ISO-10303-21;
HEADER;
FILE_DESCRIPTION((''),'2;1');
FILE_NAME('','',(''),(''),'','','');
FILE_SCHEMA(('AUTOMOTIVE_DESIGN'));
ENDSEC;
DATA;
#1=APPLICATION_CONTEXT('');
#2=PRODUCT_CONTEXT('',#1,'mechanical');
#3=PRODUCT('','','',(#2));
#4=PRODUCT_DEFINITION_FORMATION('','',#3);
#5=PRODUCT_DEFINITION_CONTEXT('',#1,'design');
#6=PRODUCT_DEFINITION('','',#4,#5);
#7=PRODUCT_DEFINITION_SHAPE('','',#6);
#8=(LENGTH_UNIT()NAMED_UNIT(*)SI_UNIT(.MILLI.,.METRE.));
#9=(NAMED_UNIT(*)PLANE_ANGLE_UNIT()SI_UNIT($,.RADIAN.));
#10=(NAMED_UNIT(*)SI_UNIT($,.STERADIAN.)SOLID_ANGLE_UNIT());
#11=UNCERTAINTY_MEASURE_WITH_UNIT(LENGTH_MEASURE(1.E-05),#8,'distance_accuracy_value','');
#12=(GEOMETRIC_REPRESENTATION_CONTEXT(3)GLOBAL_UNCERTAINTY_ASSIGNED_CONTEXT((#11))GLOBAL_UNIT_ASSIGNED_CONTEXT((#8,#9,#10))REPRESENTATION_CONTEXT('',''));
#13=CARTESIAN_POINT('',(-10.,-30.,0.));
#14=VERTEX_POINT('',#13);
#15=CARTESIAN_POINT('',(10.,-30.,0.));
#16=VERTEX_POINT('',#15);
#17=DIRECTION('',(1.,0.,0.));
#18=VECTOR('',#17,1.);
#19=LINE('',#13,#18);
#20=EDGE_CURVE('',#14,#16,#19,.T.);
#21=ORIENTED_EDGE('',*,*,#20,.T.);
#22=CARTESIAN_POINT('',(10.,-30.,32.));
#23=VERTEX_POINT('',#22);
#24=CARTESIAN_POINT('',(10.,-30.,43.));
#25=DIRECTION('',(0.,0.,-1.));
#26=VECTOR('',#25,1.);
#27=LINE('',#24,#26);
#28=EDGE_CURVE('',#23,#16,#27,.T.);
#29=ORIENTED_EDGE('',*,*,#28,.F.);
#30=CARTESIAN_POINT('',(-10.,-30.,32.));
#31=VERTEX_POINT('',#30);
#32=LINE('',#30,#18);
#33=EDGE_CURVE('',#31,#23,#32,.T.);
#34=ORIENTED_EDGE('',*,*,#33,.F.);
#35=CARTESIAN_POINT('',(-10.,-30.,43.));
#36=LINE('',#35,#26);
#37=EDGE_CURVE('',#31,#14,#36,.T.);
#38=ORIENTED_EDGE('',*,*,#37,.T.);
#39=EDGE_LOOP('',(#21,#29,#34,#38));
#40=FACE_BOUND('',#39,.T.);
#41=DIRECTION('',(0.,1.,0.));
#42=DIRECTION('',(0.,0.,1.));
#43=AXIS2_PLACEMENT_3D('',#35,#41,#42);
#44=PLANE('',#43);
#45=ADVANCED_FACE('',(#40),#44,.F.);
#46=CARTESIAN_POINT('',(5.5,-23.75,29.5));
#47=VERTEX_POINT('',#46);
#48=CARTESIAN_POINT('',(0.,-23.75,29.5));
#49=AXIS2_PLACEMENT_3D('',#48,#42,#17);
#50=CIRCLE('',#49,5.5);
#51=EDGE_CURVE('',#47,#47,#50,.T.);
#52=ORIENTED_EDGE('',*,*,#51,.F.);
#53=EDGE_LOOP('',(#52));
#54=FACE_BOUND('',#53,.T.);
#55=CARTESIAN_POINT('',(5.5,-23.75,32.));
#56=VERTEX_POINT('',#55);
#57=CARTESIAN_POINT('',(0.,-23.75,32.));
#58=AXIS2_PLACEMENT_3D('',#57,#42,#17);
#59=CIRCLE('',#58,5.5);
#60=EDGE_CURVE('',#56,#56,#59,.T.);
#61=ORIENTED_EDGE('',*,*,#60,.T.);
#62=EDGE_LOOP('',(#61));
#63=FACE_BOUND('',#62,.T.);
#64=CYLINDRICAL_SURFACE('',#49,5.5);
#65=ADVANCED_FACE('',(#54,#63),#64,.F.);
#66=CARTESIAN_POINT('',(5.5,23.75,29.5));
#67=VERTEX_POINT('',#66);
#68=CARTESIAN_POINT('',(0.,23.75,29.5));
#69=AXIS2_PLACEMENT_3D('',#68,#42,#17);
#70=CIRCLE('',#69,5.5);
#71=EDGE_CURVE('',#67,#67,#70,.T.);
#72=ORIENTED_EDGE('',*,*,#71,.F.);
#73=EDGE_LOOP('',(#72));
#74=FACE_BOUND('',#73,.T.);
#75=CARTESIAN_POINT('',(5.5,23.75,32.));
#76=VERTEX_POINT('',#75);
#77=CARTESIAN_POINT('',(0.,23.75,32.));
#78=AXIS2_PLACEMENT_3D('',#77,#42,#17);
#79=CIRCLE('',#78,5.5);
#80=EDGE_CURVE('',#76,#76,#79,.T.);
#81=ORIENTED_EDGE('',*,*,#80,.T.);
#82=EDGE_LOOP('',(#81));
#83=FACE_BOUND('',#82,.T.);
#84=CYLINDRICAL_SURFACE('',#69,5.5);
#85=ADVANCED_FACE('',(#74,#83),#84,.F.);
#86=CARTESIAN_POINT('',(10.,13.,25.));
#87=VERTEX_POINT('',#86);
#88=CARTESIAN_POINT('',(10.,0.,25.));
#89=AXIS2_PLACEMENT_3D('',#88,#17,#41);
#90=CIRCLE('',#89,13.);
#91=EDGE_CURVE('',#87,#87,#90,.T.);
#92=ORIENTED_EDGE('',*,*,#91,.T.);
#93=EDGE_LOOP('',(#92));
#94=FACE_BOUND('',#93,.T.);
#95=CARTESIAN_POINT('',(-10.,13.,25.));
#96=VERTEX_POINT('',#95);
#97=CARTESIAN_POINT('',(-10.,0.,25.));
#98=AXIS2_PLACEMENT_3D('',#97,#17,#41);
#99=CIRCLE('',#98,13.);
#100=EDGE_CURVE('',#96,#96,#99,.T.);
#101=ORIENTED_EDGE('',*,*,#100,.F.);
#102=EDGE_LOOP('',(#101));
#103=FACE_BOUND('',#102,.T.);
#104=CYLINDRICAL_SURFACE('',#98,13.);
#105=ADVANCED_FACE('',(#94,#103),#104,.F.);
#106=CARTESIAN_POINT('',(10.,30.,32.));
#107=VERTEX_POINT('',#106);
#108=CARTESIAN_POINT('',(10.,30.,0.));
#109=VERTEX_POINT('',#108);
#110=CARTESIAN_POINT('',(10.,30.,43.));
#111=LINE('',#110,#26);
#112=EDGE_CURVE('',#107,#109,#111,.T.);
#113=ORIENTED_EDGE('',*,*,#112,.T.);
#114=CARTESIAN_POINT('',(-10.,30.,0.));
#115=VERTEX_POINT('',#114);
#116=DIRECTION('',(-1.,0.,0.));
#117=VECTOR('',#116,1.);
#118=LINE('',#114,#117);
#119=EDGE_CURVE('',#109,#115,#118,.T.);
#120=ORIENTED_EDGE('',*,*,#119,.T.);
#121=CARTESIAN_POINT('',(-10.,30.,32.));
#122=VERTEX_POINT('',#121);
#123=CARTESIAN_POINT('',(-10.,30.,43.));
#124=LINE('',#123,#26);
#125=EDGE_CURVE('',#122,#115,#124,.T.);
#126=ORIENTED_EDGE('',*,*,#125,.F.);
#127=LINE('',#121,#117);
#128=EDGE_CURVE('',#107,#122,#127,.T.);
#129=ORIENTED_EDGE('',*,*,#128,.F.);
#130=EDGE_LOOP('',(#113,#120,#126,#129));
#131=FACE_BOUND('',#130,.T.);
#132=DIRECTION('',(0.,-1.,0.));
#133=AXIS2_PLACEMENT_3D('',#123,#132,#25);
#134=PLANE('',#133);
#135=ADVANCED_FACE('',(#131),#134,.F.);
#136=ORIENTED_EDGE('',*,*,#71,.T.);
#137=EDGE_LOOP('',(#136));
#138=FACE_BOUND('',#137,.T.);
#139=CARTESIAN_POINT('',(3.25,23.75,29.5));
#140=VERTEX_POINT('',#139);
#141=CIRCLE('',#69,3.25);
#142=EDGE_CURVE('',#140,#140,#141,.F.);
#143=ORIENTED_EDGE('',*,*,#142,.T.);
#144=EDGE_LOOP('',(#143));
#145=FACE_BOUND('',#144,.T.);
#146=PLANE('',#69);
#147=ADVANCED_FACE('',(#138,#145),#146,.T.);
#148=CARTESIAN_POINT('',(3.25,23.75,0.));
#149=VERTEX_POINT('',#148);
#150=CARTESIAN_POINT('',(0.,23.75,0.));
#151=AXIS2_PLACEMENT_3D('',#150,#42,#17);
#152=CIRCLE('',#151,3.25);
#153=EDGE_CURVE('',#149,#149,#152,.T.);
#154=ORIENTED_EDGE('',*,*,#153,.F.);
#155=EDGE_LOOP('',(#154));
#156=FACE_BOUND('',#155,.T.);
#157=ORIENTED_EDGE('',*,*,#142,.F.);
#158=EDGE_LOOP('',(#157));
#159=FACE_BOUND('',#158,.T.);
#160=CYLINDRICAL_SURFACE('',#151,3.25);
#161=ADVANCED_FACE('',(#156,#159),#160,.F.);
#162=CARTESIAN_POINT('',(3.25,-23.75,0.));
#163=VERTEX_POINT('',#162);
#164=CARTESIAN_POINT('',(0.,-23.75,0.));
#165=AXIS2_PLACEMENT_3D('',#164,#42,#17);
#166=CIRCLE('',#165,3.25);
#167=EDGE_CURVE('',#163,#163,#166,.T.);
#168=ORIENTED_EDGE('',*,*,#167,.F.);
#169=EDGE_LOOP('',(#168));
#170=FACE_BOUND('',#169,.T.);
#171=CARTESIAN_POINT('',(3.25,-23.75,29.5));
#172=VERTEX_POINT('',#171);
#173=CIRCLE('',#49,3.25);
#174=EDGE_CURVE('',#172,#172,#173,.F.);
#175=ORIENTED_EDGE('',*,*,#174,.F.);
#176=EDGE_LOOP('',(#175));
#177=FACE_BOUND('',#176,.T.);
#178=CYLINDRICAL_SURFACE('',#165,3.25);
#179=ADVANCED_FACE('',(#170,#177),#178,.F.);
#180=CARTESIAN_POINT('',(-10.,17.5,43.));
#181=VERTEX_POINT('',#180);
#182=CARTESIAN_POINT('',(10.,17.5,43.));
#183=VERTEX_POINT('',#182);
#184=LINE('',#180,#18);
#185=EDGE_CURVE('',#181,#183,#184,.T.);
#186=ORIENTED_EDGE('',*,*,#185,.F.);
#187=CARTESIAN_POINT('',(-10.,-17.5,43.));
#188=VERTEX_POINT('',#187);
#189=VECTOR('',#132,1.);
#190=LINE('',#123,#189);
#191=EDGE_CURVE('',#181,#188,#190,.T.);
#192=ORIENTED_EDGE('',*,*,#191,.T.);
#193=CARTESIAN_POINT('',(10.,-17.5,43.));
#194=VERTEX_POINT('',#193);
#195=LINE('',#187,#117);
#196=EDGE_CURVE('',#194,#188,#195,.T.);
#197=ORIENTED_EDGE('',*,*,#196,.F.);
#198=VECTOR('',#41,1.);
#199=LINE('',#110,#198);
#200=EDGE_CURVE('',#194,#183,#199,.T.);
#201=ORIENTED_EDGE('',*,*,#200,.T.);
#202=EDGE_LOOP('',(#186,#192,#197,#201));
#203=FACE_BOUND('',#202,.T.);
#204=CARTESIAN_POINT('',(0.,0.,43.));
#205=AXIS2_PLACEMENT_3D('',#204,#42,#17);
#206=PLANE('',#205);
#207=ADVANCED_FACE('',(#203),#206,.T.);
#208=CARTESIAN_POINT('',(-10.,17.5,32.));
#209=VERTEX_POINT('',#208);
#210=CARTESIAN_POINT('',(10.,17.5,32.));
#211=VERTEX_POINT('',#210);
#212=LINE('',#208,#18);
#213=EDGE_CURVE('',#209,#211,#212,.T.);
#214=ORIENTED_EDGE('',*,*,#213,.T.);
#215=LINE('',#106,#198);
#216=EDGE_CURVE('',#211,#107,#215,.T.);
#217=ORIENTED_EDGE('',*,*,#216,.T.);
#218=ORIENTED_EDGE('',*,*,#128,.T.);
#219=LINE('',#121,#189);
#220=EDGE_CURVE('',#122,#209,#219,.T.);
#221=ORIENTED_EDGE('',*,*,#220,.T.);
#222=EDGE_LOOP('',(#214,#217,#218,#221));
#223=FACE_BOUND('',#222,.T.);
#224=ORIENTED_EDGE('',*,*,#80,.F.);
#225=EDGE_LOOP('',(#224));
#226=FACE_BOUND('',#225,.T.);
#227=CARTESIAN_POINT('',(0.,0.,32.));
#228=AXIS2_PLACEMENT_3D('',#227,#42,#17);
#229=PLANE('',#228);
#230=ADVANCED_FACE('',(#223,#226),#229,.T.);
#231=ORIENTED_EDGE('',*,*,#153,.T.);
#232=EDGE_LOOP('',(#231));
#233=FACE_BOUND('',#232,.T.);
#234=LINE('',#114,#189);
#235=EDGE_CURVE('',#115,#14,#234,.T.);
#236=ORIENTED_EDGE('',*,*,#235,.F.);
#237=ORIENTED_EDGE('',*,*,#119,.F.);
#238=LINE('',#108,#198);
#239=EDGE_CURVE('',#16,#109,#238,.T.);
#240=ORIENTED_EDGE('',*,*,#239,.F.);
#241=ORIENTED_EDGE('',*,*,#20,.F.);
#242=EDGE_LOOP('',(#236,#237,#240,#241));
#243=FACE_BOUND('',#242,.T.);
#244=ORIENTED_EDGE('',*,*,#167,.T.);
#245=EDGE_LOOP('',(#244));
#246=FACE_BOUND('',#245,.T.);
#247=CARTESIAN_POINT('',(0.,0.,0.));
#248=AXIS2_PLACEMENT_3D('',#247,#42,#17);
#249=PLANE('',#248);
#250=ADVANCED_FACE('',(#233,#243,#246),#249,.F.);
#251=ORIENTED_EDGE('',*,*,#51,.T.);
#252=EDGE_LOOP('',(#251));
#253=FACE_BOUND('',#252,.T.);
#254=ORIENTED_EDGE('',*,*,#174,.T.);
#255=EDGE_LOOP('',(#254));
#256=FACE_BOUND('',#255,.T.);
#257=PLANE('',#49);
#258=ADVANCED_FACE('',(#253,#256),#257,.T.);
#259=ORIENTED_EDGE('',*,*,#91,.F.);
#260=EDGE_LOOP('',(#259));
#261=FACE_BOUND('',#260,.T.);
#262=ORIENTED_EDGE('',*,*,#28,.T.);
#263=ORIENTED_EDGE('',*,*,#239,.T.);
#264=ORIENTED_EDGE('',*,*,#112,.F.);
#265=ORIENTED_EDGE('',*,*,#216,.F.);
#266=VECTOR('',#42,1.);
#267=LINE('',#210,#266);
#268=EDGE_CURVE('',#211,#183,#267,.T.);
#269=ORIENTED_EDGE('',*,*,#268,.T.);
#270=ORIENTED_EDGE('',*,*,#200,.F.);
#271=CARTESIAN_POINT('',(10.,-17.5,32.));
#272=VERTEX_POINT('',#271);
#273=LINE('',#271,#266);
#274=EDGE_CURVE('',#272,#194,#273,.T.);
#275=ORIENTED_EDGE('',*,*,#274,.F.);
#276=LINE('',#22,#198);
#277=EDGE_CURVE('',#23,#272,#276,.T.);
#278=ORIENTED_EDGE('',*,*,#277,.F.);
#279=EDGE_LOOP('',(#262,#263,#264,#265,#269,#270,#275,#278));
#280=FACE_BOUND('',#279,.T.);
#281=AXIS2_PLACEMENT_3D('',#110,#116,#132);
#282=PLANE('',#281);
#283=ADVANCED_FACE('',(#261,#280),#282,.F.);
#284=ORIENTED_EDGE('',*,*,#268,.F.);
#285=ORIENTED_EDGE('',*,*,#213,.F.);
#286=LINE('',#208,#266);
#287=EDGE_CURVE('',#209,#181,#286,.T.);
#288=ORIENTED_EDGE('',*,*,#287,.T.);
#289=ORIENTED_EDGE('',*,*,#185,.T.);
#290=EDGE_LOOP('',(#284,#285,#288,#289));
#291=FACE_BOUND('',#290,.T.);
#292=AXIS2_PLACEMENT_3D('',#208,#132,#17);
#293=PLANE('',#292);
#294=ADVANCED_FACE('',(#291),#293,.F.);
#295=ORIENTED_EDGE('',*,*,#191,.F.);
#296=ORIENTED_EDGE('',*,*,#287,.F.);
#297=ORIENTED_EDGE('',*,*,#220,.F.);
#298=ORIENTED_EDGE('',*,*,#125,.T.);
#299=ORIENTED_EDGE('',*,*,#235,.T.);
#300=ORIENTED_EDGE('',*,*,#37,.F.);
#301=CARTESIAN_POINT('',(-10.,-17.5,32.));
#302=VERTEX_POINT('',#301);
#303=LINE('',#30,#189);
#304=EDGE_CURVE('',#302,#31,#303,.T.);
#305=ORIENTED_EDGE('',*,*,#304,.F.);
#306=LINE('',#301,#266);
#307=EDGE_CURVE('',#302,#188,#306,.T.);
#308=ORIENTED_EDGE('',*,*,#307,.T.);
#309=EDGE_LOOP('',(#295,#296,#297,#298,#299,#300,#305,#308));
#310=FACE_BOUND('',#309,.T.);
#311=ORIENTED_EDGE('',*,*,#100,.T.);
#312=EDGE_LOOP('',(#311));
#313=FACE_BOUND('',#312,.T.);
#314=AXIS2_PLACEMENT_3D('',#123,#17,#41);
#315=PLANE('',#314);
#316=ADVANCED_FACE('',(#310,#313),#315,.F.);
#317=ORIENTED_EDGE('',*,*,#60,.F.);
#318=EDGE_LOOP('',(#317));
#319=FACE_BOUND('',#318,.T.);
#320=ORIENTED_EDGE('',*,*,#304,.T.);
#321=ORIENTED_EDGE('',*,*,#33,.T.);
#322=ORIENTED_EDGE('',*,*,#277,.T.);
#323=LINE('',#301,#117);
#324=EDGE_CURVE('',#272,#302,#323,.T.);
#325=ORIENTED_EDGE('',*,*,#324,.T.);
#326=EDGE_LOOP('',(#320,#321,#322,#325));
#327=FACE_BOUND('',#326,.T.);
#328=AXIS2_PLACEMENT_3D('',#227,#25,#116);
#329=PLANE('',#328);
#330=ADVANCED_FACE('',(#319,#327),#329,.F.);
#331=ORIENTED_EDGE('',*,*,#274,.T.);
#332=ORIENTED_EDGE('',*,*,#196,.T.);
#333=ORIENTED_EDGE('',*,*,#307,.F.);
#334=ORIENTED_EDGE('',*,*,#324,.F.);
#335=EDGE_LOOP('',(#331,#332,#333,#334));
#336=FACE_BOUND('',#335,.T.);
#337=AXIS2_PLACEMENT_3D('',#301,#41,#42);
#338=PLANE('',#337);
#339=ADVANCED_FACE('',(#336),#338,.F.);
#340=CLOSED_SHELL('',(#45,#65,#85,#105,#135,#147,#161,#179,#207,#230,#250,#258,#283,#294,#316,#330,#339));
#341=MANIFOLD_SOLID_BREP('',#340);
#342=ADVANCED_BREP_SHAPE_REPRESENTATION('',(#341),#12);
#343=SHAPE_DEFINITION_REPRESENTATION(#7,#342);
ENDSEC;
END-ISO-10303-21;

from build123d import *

# Parameters (mm, degrees)
SKETCH1_W           = 20
SKETCH1_H           = 60
BOSS_EXTRUDE1_DEPTH = 43
SKETCH2_W           = 20
SKETCH2_H           = 12.5
CUT_EXTRUDE1_DEPTH  = 11
SKETCH3_R           = 3.25
CUT_EXTRUDE2_DEPTH  = 33
SKETCH4_R           = 5.5
CUT_EXTRUDE3_DEPTH  = 2.5
SKETCH5_R           = 13
CUT_EXTRUDE4_DEPTH  = 21


with BuildPart() as part:
    # Sketch1 → Boss-Extrude1 (new body)
    with BuildSketch(Plane.XY):
        Rectangle(SKETCH1_W, SKETCH1_H)
    extrude(amount=BOSS_EXTRUDE1_DEPTH)

    # Sketch2 → Cut-Extrude1 (cut)
    with BuildSketch(Plane.XY.offset(43)):
        with Locations((0, -23.75)):
            Rectangle(SKETCH2_W, SKETCH2_H)
        with Locations((0, 23.75)):
            Rectangle(SKETCH2_W, SKETCH2_H)
    extrude(amount=-CUT_EXTRUDE1_DEPTH, mode=Mode.SUBTRACT)

    # Sketch3 → Cut-Extrude2 (cut, through all)
    with BuildSketch(Plane.XY.offset(32)):
        with Locations((0, -23.75)):
            Circle(SKETCH3_R)
        with Locations((0, 23.75)):
            Circle(SKETCH3_R)
    extrude(amount=-CUT_EXTRUDE2_DEPTH, mode=Mode.SUBTRACT)

    # Sketch4 → Cut-Extrude3 (cut)
    with BuildSketch(Plane.XY.offset(32)):
        with Locations((0, -23.75)):
            Circle(SKETCH4_R)
        with Locations((0, 23.75)):
            Circle(SKETCH4_R)
    extrude(amount=-CUT_EXTRUDE3_DEPTH, mode=Mode.SUBTRACT)

    # Sketch5 → Cut-Extrude4 (cut, through all)
    with BuildSketch(Plane(origin=(10, 0, 0), x_dir=(0, 0, -1), z_dir=(1, 0, 0))):
        with Locations((-25, 0)):
            Circle(SKETCH5_R)
    extrude(amount=-CUT_EXTRUDE4_DEPTH, mode=Mode.SUBTRACT)


solid = part.part
